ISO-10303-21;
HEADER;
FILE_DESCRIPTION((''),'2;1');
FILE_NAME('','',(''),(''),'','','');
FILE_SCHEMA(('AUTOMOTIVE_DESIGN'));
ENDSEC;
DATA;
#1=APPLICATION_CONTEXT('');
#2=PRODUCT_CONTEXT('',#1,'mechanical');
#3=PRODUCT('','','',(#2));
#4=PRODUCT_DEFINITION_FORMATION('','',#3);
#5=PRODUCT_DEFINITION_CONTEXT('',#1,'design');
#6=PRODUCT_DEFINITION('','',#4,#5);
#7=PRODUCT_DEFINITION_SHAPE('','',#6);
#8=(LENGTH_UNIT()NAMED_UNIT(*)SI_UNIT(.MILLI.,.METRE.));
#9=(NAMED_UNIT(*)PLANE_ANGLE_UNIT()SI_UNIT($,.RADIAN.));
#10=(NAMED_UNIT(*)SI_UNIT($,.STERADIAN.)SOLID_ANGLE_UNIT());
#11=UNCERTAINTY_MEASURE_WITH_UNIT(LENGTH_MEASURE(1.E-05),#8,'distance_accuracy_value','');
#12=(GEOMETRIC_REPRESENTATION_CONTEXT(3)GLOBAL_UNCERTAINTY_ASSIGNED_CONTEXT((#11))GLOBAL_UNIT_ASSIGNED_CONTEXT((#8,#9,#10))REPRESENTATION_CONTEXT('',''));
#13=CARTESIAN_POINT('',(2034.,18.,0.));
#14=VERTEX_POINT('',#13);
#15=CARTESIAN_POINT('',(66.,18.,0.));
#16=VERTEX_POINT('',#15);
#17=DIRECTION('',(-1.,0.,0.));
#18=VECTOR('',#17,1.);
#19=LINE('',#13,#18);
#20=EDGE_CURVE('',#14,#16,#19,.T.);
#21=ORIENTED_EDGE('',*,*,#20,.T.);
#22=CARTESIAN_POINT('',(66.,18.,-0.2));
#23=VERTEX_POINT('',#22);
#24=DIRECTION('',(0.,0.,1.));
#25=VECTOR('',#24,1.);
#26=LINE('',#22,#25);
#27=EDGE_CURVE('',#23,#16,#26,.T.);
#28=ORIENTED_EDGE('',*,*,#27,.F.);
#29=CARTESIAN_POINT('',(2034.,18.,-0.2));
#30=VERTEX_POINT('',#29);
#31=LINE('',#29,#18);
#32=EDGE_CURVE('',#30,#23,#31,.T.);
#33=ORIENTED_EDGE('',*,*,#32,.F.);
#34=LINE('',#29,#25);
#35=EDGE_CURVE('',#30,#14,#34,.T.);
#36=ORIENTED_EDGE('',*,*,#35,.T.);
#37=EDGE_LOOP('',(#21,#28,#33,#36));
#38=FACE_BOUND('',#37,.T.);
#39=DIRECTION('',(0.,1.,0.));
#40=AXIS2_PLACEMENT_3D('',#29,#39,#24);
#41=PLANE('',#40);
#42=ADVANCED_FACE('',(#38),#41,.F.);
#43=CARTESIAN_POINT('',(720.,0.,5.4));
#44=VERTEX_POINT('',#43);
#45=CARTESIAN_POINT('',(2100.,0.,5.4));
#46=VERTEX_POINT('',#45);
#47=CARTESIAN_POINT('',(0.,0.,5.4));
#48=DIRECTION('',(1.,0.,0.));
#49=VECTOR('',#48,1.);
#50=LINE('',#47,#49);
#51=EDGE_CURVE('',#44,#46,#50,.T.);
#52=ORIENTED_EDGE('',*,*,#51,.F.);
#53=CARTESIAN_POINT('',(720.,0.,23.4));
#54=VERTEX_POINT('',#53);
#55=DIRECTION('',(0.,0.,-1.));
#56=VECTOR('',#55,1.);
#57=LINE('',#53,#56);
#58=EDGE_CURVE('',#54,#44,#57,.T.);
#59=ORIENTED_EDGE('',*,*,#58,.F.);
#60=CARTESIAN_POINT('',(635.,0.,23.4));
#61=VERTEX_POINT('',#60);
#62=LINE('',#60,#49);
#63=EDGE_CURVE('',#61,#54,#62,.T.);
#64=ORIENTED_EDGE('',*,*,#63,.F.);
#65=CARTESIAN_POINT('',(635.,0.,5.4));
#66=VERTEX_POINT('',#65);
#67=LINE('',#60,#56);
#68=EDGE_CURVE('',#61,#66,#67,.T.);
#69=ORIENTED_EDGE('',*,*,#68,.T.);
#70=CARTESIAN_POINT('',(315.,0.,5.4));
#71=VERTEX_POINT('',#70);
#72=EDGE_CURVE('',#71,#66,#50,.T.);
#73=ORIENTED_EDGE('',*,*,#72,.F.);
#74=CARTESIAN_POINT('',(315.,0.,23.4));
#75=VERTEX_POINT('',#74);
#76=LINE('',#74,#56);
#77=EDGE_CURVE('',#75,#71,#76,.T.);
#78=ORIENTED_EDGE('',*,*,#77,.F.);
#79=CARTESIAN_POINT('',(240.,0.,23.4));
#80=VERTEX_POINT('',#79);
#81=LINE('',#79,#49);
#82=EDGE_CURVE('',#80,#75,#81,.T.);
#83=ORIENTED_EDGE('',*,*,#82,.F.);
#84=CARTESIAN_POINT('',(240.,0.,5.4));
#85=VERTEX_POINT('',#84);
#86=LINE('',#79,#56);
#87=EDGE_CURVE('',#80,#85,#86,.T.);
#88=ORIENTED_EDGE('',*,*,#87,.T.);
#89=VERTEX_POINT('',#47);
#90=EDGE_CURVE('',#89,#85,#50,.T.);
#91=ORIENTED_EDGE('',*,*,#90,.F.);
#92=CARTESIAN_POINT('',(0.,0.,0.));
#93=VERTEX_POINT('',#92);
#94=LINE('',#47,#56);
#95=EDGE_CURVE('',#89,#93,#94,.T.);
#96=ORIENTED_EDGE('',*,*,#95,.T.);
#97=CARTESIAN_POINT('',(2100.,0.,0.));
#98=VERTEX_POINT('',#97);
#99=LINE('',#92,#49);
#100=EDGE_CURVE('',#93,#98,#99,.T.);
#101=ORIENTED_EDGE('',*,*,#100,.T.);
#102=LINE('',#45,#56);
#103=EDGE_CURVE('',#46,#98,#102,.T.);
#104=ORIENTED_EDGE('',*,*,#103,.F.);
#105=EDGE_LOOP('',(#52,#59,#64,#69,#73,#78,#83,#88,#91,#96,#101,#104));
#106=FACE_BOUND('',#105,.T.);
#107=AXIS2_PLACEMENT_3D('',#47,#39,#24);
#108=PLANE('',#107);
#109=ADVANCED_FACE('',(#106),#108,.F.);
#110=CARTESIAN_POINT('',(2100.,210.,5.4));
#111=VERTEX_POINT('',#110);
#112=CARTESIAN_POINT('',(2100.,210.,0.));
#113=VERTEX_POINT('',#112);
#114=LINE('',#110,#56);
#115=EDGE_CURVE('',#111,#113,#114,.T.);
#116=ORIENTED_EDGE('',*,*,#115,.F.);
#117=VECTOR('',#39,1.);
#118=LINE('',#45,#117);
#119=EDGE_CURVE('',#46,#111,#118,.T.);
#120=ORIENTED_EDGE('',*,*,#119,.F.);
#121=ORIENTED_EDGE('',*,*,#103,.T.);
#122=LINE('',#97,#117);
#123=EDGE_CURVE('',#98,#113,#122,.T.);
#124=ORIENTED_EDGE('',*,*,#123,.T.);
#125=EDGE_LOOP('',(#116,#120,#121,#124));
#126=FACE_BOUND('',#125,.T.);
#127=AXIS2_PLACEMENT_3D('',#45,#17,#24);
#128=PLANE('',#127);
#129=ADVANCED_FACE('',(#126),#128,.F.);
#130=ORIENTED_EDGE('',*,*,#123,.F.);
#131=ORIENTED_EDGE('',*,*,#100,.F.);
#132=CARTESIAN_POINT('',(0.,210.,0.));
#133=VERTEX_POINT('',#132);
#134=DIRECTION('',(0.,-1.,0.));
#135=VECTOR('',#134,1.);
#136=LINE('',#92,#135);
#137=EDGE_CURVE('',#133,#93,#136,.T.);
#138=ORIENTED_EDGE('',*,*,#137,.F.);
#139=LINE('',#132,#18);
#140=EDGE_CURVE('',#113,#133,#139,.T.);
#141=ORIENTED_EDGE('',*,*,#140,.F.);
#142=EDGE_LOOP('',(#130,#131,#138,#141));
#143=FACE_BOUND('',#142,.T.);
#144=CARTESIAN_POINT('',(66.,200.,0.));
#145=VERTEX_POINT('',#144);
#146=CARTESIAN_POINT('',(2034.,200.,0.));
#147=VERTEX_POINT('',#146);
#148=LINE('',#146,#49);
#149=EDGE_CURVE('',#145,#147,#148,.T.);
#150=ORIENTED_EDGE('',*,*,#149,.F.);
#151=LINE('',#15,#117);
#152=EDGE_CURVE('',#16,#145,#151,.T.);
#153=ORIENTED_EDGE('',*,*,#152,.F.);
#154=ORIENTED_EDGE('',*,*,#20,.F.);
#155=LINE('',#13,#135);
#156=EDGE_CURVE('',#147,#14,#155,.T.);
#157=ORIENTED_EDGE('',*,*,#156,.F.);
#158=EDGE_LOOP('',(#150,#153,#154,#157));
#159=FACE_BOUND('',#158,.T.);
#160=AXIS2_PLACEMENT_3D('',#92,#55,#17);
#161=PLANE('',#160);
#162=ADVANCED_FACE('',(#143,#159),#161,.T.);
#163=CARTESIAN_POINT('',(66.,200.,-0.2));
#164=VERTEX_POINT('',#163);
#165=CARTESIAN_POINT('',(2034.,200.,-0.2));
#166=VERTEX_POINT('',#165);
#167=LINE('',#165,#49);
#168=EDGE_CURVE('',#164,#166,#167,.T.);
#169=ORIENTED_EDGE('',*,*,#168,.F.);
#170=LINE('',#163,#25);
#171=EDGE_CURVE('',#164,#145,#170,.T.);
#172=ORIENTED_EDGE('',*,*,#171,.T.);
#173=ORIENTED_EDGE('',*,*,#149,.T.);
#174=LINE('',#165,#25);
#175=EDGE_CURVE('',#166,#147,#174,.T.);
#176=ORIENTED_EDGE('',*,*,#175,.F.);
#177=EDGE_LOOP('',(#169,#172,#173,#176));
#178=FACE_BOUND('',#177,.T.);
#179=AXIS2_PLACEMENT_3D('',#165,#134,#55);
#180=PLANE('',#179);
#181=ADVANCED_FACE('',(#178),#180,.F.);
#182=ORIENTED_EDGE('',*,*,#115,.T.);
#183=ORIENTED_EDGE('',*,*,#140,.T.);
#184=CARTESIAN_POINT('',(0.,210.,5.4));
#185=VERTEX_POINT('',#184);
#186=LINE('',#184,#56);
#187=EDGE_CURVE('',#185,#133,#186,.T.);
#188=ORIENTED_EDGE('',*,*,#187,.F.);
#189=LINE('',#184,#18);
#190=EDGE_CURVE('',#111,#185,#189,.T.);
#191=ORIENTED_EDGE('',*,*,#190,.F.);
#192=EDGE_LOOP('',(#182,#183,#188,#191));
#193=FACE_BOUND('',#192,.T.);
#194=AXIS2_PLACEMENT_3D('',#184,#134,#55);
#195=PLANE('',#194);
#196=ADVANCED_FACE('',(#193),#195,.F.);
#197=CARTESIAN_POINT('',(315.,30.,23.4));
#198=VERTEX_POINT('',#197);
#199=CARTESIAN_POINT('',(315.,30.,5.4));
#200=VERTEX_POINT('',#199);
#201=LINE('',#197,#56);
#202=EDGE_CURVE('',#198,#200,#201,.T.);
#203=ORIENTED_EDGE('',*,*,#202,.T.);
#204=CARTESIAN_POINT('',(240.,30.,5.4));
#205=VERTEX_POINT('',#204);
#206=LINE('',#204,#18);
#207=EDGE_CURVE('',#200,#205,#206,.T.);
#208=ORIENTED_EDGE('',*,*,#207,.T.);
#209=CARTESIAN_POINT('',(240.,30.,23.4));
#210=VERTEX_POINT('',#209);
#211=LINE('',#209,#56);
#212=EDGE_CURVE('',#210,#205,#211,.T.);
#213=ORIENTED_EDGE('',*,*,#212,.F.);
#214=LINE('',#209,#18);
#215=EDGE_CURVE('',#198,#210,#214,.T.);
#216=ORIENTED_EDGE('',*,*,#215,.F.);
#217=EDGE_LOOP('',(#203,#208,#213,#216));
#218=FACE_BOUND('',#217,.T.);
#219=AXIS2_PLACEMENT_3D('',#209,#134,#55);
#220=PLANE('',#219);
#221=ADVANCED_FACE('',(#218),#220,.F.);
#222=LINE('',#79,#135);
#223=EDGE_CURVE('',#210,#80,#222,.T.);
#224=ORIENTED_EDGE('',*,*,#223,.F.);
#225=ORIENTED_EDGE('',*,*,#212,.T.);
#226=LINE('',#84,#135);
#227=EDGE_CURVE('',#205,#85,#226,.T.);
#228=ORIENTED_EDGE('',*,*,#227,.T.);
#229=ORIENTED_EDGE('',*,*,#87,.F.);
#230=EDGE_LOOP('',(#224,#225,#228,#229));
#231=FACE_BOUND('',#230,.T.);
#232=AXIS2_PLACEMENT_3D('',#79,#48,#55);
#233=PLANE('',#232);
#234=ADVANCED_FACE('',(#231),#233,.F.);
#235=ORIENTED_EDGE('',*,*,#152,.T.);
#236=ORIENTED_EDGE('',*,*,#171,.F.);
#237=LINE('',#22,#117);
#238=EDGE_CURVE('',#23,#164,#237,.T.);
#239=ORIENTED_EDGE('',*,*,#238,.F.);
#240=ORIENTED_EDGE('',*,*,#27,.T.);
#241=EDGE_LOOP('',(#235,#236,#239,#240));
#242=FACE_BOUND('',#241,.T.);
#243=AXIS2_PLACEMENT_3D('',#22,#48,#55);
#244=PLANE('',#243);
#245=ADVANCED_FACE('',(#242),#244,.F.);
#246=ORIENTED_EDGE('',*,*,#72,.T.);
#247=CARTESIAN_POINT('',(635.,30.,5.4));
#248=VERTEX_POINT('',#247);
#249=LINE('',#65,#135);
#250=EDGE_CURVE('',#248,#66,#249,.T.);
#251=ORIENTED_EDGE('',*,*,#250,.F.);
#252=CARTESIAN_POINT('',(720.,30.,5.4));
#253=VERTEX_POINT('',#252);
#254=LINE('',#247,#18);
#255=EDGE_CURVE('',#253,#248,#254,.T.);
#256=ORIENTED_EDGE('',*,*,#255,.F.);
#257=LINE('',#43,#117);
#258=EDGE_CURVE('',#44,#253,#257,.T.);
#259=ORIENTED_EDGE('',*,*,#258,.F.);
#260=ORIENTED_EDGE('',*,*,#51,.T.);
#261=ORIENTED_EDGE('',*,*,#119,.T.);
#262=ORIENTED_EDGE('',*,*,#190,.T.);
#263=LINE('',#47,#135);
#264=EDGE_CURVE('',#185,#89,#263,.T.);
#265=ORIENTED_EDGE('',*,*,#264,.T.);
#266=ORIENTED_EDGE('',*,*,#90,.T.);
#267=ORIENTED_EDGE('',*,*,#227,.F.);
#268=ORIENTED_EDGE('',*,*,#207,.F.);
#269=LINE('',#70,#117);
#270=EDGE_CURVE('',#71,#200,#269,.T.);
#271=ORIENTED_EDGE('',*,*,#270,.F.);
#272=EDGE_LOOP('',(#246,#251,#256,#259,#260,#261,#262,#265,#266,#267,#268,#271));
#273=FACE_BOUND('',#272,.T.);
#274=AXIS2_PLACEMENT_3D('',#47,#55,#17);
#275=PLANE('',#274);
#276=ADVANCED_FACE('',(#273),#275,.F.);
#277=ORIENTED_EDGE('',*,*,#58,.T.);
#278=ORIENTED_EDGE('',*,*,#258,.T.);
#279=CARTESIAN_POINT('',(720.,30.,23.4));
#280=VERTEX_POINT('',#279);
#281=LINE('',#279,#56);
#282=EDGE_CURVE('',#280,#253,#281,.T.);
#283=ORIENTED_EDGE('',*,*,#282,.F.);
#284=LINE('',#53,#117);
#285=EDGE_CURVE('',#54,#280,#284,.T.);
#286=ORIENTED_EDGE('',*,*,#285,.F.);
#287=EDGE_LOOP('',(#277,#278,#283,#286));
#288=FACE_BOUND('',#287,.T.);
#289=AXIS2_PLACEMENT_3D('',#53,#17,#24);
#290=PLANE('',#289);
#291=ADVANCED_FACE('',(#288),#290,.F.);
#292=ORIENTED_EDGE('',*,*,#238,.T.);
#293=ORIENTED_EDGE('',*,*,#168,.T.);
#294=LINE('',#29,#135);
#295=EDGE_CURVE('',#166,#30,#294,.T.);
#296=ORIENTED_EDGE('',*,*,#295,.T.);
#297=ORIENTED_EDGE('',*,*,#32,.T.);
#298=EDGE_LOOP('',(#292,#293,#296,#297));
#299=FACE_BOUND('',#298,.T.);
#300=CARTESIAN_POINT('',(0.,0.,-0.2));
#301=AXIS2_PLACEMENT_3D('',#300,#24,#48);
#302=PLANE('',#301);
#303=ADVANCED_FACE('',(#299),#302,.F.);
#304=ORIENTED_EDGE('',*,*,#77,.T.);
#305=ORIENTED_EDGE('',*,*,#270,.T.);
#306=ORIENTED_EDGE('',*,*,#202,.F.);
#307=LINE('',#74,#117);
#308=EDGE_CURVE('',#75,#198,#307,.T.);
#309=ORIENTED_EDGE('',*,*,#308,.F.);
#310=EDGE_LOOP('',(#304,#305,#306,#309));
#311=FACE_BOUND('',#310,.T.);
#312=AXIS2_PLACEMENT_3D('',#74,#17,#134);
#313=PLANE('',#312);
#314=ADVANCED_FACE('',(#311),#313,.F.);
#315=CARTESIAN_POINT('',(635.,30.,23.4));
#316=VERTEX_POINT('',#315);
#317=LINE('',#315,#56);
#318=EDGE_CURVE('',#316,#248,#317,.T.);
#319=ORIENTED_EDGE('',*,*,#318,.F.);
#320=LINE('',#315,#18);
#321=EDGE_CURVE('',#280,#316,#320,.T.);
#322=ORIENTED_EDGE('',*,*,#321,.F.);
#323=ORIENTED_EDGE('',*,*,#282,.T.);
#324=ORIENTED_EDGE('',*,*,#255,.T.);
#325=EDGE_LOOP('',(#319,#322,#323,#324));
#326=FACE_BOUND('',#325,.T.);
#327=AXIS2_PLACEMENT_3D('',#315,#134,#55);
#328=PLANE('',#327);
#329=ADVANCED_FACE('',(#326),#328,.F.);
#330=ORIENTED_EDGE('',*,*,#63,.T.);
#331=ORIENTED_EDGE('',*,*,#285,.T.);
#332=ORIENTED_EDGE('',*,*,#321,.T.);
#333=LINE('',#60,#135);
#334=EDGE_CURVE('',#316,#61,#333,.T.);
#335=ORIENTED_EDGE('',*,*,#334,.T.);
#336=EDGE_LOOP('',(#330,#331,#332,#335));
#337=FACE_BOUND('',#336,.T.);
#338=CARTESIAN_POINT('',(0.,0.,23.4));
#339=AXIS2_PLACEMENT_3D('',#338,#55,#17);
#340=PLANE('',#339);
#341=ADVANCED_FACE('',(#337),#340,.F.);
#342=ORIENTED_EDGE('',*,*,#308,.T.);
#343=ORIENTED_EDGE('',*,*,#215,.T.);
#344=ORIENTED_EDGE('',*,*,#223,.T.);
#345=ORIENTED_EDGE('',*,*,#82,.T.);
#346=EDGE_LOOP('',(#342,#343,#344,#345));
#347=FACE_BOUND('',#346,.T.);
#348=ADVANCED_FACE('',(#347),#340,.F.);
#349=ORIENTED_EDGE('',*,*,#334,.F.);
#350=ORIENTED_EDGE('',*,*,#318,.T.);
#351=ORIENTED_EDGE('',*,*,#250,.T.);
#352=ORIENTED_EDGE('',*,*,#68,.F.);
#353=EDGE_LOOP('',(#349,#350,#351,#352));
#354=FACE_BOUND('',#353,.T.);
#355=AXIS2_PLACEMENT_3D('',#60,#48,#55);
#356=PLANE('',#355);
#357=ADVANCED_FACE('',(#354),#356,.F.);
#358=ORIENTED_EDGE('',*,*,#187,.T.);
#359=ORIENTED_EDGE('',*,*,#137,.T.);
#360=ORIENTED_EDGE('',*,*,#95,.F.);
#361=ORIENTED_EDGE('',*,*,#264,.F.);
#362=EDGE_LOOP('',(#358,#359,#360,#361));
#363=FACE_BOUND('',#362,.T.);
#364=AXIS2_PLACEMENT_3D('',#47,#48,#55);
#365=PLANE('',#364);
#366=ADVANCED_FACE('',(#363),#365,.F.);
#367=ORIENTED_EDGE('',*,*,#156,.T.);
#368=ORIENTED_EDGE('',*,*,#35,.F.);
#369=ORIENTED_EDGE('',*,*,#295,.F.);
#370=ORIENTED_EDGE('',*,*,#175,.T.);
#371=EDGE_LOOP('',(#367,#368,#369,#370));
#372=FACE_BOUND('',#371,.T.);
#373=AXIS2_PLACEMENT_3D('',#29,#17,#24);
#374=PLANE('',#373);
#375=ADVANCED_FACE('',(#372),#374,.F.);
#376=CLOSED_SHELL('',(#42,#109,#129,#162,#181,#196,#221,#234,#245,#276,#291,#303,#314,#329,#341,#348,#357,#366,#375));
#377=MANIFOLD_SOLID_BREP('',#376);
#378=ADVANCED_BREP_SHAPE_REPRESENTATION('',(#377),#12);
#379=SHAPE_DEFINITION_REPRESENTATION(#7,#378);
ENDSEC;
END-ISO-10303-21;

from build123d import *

# Parameters (mm, degrees)
SKETCH_1_W      = 2100
SKETCH_1_H      = 210
EXTRUDE_1_DEPTH = 5.4
SKETCH_2_W      = 75
SKETCH_2_H      = 30
SKETCH_2_W_2    = 85
EXTRUDE_2_DEPTH = 18
SKETCH_4_W      = 1968
SKETCH_4_H      = 182
EXTRUDE_3_DEPTH = 0.2


with BuildPart() as part:
    # 草图1 → 凸台-拉伸1 (new body)
    with BuildSketch(Plane.XY):
        with Locations((1050, 105)):
            Rectangle(SKETCH_1_W, SKETCH_1_H)
    extrude(amount=EXTRUDE_1_DEPTH)

    # 草图2 → 凸台-拉伸2 (add)
    with BuildSketch(Plane.XY.offset(5.4)):
        with Locations((277.5, 15)):
            Rectangle(SKETCH_2_W, SKETCH_2_H)
        with Locations((677.5, 15)):
            Rectangle(SKETCH_2_W_2, SKETCH_2_H)
    extrude(amount=EXTRUDE_2_DEPTH)

    # 草图4 → 凸台-拉伸3 (add)
    with BuildSketch(Plane(origin=(0, 0, 0), x_dir=(-1, 0, 0), z_dir=(0, 0, -1))):
        with Locations((-1050, 109)):
            Rectangle(SKETCH_4_W, SKETCH_4_H)
    extrude(amount=EXTRUDE_3_DEPTH)


solid = part.part
